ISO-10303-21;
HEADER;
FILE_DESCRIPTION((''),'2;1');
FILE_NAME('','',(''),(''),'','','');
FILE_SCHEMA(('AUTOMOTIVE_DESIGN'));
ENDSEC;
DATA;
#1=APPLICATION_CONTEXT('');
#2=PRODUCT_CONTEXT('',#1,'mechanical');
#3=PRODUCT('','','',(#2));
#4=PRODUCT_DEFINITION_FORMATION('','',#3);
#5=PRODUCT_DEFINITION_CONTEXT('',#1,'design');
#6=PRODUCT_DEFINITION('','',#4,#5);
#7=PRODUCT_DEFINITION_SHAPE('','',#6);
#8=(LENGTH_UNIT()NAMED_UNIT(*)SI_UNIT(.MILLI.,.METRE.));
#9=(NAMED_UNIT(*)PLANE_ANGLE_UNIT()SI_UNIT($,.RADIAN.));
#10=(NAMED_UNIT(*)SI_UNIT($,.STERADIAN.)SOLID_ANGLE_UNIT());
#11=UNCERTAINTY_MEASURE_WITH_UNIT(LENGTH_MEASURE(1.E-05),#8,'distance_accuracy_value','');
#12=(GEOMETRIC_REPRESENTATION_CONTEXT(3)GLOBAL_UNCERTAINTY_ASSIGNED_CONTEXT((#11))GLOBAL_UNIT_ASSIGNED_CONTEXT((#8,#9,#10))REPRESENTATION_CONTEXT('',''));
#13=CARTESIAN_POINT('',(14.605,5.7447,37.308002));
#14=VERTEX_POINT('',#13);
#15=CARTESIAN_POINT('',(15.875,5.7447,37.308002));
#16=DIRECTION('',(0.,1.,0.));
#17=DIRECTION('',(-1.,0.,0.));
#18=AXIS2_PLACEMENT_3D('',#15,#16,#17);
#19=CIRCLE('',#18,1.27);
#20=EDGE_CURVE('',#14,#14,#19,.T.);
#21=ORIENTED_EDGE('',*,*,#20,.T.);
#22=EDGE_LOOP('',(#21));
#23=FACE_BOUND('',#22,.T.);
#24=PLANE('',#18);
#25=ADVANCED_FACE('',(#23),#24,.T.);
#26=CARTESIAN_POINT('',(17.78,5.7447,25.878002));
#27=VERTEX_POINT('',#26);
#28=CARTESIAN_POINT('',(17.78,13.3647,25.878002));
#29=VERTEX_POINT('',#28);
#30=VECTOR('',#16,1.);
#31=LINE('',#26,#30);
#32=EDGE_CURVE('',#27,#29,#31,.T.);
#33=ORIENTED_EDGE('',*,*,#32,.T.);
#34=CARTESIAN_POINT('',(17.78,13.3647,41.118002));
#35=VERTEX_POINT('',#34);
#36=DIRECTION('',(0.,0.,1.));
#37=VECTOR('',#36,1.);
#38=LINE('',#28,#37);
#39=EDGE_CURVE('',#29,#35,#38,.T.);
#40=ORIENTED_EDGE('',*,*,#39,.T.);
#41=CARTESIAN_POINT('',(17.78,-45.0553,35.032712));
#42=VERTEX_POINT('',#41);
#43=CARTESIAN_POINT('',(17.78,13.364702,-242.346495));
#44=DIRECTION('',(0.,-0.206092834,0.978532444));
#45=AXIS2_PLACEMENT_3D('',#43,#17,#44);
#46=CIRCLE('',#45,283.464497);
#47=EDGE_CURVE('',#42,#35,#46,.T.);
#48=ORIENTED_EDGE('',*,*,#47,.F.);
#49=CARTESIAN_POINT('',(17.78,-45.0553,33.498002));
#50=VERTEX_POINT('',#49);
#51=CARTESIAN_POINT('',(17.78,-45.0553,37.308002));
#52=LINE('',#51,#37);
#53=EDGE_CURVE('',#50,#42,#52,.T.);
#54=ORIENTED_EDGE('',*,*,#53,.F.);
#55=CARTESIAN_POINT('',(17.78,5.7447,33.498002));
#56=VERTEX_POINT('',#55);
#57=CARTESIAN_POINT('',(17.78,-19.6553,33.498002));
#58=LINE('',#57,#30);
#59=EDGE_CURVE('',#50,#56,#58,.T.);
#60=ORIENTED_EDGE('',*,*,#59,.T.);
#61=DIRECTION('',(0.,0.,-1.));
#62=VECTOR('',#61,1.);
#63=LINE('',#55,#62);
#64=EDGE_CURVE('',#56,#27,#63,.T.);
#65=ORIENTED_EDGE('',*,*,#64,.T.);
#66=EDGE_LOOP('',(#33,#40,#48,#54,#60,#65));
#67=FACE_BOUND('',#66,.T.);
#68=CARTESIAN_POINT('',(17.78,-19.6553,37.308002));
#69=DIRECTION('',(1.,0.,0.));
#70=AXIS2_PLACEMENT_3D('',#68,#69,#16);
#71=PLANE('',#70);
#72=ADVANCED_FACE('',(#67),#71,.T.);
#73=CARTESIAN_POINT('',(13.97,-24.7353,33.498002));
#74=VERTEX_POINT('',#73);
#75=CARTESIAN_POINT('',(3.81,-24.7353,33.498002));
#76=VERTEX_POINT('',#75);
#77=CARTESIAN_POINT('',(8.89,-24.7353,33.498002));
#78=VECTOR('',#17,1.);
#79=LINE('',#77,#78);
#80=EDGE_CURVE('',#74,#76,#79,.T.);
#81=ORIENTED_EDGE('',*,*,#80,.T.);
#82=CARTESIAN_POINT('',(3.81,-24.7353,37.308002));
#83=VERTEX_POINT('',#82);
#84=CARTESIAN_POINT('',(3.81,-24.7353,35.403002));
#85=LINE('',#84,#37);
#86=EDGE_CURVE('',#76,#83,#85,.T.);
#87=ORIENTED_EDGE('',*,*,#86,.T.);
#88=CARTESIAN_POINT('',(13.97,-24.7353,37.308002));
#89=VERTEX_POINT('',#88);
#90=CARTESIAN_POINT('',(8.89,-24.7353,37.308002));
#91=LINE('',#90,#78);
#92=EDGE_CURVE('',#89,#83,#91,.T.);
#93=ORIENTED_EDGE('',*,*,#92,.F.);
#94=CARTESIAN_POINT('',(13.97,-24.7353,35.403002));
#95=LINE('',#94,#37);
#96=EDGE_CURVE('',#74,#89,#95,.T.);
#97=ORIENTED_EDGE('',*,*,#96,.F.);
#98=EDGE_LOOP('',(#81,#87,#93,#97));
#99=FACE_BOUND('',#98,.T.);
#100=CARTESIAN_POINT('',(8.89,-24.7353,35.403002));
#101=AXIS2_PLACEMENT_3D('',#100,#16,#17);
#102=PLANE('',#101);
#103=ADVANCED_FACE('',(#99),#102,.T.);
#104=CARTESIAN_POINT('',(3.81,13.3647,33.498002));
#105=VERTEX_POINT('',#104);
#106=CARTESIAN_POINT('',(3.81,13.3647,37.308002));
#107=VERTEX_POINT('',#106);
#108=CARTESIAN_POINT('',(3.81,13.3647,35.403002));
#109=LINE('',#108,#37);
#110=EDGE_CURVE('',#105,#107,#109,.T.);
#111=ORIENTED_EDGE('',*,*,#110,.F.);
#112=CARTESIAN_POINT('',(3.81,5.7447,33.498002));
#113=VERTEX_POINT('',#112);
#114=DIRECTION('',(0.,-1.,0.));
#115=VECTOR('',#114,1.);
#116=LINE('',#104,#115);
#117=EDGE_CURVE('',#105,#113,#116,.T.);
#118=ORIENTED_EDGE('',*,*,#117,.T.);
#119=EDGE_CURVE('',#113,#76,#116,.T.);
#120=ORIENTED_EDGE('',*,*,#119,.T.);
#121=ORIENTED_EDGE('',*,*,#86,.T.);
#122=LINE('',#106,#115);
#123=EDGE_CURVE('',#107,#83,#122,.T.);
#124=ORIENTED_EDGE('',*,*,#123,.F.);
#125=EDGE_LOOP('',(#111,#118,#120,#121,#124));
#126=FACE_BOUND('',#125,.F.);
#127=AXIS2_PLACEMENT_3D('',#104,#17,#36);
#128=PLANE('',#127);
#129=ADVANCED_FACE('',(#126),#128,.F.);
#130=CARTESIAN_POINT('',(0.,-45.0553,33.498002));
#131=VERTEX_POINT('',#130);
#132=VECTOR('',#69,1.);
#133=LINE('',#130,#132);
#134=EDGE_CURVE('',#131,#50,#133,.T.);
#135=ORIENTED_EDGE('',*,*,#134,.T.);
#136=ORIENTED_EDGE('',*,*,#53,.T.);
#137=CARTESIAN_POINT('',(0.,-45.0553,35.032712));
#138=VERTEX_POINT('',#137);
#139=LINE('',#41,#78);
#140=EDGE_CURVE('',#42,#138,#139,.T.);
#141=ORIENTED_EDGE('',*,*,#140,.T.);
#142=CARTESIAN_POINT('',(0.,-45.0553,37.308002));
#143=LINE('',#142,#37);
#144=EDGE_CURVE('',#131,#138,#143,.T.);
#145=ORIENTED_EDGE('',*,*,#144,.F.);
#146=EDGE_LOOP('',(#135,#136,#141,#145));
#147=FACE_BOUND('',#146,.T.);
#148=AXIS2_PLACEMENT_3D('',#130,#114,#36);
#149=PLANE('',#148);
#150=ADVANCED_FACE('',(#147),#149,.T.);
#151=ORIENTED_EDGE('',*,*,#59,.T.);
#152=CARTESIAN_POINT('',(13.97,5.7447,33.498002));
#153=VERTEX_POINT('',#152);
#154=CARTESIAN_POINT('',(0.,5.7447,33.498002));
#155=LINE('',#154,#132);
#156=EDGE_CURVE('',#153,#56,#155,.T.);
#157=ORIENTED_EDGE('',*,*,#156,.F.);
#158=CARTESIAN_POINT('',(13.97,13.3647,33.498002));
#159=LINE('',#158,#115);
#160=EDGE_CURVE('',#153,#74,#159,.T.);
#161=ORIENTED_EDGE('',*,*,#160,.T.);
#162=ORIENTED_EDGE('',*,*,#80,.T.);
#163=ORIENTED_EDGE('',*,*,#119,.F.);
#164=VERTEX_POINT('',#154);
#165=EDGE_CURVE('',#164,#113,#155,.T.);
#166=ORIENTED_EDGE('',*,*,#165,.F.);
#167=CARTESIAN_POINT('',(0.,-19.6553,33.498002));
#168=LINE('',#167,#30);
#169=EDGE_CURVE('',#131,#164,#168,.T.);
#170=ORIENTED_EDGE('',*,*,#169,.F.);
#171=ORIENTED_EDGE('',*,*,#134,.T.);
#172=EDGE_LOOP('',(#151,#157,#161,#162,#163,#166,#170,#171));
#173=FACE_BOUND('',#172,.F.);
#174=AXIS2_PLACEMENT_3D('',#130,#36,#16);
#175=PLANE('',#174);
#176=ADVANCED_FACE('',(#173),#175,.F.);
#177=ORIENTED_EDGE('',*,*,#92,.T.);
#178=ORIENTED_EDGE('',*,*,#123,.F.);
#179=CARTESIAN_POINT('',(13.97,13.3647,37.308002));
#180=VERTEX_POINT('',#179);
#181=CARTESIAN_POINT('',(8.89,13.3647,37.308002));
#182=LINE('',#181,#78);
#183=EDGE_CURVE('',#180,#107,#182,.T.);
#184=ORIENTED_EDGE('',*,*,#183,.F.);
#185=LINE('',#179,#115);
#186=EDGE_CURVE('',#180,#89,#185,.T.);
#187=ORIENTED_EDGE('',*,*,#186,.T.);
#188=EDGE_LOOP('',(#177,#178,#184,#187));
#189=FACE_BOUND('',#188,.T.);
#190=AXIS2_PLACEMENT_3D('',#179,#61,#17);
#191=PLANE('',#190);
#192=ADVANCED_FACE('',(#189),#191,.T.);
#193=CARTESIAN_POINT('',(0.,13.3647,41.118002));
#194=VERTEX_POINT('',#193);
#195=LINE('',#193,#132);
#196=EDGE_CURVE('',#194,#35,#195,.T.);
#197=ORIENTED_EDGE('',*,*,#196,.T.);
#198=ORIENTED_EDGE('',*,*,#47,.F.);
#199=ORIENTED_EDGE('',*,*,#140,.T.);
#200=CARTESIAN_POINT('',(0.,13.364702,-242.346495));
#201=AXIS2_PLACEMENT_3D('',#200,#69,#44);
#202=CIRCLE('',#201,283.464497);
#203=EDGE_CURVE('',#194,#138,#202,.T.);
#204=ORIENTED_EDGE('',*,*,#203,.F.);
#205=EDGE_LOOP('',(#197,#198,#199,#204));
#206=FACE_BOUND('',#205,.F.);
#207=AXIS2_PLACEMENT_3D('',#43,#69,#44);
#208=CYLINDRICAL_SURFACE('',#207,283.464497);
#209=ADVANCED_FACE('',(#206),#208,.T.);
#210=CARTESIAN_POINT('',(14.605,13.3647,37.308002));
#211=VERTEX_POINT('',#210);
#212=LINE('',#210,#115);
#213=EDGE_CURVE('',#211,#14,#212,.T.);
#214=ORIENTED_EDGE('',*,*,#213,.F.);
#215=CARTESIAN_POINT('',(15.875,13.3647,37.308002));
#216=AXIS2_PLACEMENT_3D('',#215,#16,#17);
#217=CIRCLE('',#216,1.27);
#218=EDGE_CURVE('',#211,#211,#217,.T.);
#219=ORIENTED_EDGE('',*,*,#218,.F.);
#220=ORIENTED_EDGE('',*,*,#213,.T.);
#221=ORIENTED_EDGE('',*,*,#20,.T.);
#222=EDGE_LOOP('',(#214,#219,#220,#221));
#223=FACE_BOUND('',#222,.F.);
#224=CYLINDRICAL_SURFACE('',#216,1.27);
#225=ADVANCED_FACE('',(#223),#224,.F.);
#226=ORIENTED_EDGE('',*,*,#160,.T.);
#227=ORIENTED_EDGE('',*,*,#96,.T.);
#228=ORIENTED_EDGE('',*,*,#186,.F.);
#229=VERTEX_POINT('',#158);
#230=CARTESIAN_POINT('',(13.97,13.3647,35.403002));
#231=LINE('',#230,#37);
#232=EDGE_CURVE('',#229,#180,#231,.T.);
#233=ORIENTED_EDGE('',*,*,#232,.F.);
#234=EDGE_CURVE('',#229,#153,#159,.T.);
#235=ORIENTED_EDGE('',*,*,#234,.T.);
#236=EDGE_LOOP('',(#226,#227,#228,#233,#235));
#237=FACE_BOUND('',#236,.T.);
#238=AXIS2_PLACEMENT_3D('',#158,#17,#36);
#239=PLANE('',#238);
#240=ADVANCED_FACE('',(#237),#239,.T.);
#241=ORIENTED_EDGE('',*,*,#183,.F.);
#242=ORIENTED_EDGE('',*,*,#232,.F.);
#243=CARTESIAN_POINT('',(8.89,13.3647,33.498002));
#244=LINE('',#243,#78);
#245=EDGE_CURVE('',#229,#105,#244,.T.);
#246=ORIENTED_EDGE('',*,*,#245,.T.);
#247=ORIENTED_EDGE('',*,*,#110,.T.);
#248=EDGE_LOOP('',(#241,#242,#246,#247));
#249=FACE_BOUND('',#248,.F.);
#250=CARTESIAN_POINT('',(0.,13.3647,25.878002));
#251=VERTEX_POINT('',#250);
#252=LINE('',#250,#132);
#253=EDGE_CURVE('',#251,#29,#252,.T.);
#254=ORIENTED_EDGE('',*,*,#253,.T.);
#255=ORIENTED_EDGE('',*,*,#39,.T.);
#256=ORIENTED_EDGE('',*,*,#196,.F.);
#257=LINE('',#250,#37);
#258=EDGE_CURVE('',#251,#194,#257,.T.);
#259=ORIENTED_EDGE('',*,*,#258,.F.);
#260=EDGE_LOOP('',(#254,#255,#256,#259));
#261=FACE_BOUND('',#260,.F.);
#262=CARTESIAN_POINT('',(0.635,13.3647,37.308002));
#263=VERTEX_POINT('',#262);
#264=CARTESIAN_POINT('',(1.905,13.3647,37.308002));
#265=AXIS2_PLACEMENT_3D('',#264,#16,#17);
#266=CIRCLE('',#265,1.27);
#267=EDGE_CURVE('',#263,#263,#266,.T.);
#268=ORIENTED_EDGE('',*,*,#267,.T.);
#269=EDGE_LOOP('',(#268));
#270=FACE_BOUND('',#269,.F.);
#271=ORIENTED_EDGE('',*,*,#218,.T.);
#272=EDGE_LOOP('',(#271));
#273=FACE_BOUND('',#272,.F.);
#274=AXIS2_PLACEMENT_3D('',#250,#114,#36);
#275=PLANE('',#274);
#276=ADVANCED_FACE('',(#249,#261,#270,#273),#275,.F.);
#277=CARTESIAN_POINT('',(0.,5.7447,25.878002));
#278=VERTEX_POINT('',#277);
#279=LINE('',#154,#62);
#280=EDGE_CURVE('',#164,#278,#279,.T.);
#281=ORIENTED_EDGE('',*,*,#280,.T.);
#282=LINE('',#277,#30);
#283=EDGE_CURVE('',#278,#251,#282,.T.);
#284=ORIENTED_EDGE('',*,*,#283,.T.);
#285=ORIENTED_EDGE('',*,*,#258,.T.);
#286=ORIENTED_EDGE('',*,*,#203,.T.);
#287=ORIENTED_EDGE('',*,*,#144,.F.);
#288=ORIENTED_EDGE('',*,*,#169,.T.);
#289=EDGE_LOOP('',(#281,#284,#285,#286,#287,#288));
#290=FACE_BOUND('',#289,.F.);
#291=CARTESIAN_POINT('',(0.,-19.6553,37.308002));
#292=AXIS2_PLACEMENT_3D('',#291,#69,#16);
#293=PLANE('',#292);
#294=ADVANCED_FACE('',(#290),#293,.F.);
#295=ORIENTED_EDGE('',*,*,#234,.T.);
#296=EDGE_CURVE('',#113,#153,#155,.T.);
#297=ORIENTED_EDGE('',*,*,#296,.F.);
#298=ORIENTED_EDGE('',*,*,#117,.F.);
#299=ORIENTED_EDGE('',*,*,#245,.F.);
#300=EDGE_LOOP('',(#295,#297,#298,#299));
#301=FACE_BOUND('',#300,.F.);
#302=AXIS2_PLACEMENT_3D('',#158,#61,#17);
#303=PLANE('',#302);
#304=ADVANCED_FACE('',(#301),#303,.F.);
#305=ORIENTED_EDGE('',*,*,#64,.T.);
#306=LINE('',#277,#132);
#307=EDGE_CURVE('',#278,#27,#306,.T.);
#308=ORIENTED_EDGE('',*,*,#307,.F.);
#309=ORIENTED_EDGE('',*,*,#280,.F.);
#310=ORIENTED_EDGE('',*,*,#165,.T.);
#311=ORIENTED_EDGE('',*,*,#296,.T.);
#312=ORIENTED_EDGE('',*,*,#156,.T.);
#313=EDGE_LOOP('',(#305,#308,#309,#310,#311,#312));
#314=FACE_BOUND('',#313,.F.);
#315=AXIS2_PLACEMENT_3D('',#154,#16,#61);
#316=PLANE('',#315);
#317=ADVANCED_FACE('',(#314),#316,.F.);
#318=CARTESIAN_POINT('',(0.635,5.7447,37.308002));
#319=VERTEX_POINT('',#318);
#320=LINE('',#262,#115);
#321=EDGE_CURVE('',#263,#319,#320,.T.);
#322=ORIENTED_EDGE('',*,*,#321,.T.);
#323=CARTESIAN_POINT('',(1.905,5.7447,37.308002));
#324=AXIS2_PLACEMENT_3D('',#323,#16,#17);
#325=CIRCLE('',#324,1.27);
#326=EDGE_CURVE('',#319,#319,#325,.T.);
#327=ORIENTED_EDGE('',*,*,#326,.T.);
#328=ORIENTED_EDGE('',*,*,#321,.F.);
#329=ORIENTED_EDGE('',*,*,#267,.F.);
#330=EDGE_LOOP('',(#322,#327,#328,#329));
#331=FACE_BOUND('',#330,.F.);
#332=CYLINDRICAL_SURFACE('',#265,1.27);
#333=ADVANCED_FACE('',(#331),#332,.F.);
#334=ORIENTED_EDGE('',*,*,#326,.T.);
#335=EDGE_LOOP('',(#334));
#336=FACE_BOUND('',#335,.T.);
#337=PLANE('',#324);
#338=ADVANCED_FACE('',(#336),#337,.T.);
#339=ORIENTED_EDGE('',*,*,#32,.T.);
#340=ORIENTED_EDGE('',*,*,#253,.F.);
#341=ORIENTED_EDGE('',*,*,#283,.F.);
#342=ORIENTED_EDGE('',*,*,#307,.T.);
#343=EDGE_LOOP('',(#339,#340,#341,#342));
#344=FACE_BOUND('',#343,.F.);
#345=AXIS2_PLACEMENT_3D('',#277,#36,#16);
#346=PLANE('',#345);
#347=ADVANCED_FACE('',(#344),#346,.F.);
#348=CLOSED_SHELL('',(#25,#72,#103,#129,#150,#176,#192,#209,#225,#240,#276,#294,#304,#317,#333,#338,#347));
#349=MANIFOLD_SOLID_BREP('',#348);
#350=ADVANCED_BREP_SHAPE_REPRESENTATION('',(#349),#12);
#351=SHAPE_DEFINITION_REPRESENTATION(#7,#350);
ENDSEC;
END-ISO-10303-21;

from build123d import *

# Parameters (mm, degrees)
F0_W     = 50.8
F0_H     = 7.62
F1_DEPTH = 17.78
F3_DEPTH = 25.4
F4_W     = 10.16
F4_H     = 3.81
F5_DEPTH = 38.1
F4_R     = 1.27
F6_DEPTH = 7.62


with BuildPart() as f1:
    # F0 (on Right) → F1 (new body)
    with BuildSketch(Plane.YZ):
        with Locations((-19.6553, 37.308002)):
            Rectangle(F0_W, F0_H)
        Polygon((13.3647, 41.118002), (5.7447, 41.118002), (5.7447, 33.498002), (5.7447, 25.878002), (13.3647, 25.878002), align=None)
    extrude(amount=F1_DEPTH)

    # F2 (on face) → F3 (cut)
    with BuildSketch(Plane.YZ.offset(17.78)):
        with BuildLine():
            ThreePointArc((-45.0553, 35.032712), (-16.00334, 39.592575), (13.3647, 41.118002))
            Line((13.3647, 41.118002), (-45.0553, 41.118002))
            Line((-45.0553, 41.118002), (-45.0553, 35.032712))
        make_face()
    extrude(amount=-F3_DEPTH, mode=Mode.SUBTRACT)

    # F4 (on face) → F5 (cut)
    with BuildSketch(Plane(origin=(0, 13.3647, 0), x_dir=(-1, 0, 0), z_dir=(0, 1, 0))):
        with Locations((-8.89, 35.403002)):
            Rectangle(F4_W, F4_H)
    extrude(amount=-F5_DEPTH, mode=Mode.SUBTRACT)

    # F4 (on face) → F6 (cut)
    with BuildSketch(Plane(origin=(0, 13.3647, 0), x_dir=(-1, 0, 0), z_dir=(0, 1, 0))):
        with Locations((-1.905, 37.308002)):
            Circle(F4_R)
        with Locations((-15.875, 37.308002)):
            Circle(F4_R)
    extrude(amount=-F6_DEPTH, mode=Mode.SUBTRACT)


solid = f1.part
